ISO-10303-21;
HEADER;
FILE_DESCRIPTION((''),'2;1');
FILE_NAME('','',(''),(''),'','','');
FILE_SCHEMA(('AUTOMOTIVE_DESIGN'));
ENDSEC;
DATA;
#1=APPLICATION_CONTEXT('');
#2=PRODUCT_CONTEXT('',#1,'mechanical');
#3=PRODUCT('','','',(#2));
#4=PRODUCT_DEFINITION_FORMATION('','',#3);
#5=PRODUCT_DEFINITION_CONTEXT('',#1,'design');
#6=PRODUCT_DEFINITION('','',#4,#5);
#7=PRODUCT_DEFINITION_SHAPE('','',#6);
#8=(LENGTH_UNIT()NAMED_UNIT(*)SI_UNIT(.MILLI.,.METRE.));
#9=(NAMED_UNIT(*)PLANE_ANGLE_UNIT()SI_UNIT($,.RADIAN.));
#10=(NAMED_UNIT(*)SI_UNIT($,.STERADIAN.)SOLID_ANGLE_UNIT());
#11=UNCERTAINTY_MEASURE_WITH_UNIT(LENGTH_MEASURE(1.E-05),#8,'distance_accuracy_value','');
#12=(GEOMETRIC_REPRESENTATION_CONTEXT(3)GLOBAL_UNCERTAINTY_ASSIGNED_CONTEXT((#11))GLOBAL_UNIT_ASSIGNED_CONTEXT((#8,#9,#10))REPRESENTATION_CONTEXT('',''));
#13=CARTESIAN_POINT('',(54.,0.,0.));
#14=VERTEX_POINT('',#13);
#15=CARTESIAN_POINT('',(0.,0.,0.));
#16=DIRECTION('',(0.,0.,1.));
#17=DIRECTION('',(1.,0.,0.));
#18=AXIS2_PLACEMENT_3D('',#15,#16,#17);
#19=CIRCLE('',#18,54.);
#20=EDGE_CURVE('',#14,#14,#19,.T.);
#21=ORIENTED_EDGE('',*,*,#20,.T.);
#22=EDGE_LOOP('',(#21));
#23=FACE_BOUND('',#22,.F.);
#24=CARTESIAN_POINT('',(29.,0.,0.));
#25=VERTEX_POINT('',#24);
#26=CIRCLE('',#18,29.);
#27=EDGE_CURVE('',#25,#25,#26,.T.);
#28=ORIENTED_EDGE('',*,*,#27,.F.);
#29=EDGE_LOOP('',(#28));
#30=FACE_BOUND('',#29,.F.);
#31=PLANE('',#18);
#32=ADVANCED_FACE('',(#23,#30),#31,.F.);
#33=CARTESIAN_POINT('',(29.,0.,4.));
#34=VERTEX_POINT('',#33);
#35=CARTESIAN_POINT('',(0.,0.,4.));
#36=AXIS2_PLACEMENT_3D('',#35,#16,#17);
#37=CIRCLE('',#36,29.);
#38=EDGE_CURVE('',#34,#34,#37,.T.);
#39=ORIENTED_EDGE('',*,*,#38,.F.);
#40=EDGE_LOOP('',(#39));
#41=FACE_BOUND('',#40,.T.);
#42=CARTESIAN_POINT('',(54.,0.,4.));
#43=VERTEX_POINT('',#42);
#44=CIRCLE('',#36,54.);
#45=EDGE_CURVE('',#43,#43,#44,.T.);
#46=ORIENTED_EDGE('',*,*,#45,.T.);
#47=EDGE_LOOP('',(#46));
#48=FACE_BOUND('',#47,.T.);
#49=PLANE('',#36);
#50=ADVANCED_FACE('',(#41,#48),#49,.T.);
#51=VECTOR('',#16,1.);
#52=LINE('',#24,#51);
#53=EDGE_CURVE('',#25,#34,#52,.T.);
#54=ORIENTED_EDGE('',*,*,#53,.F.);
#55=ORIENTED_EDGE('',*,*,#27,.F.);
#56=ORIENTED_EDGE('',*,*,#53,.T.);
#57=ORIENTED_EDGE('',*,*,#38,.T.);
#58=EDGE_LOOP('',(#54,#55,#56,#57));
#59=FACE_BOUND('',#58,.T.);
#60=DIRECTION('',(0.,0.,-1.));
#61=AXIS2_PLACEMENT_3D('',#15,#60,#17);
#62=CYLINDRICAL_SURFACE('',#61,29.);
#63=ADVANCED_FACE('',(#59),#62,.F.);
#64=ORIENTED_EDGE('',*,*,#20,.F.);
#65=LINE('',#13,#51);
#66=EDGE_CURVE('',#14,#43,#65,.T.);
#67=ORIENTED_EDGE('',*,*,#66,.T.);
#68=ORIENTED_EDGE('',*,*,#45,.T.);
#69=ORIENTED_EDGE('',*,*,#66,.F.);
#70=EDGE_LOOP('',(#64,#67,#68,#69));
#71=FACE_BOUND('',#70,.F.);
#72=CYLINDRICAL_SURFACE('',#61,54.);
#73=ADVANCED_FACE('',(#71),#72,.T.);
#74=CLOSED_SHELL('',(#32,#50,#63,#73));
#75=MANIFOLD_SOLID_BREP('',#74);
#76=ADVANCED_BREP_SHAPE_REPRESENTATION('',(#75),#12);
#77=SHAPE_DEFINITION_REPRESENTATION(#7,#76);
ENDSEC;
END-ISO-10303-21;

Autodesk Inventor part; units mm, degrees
ref_plane "YZ Plane" through (0, 0, 0) normal (1, 0, 0) x (0, 1, 0)
ref_plane "XZ Plane" through (0, 0, 0) normal (0, 1, 0) x (-1, 0, 0)
ref_plane "XY Plane" through (0, 0, 0) normal (0, 0, 1) x (1, 0, 0)
sketch "Sketch2" plane through (0, 0, 0) normal (0, 0, 1) x (1, 0, 0)
  circle A0 centre (0, 0) radius 29
  circle A1 centre (0, 0) radius 54
  dimension "d25" = 58
  dimension "d27" = 108
extrude "Plate2" add sketch "Sketch2" along normal blind 4
equation "\"d14\" = Thickness"
equation "\"BendReliefWidth\" = Thickness"
equation "\"BendReliefDepth\" = 0.5 * Thickness"
equation "\"CornerReliefSize\" = 4 * Thickness"
equation "\"MinimumRemnant\" = 2 * Thickness"
equation "\"TransitionRadius\" = BendRadius"
equation "\"JacobiRadiusSize\" = BendRadius"
equation "\"GapSize\" = Thickness"
equation "\"Thickness\" = 4"
equation "\"BendRadius\" = 6"
properties part number "PNS 1792 FDS free flange DN50" material "Steel"
